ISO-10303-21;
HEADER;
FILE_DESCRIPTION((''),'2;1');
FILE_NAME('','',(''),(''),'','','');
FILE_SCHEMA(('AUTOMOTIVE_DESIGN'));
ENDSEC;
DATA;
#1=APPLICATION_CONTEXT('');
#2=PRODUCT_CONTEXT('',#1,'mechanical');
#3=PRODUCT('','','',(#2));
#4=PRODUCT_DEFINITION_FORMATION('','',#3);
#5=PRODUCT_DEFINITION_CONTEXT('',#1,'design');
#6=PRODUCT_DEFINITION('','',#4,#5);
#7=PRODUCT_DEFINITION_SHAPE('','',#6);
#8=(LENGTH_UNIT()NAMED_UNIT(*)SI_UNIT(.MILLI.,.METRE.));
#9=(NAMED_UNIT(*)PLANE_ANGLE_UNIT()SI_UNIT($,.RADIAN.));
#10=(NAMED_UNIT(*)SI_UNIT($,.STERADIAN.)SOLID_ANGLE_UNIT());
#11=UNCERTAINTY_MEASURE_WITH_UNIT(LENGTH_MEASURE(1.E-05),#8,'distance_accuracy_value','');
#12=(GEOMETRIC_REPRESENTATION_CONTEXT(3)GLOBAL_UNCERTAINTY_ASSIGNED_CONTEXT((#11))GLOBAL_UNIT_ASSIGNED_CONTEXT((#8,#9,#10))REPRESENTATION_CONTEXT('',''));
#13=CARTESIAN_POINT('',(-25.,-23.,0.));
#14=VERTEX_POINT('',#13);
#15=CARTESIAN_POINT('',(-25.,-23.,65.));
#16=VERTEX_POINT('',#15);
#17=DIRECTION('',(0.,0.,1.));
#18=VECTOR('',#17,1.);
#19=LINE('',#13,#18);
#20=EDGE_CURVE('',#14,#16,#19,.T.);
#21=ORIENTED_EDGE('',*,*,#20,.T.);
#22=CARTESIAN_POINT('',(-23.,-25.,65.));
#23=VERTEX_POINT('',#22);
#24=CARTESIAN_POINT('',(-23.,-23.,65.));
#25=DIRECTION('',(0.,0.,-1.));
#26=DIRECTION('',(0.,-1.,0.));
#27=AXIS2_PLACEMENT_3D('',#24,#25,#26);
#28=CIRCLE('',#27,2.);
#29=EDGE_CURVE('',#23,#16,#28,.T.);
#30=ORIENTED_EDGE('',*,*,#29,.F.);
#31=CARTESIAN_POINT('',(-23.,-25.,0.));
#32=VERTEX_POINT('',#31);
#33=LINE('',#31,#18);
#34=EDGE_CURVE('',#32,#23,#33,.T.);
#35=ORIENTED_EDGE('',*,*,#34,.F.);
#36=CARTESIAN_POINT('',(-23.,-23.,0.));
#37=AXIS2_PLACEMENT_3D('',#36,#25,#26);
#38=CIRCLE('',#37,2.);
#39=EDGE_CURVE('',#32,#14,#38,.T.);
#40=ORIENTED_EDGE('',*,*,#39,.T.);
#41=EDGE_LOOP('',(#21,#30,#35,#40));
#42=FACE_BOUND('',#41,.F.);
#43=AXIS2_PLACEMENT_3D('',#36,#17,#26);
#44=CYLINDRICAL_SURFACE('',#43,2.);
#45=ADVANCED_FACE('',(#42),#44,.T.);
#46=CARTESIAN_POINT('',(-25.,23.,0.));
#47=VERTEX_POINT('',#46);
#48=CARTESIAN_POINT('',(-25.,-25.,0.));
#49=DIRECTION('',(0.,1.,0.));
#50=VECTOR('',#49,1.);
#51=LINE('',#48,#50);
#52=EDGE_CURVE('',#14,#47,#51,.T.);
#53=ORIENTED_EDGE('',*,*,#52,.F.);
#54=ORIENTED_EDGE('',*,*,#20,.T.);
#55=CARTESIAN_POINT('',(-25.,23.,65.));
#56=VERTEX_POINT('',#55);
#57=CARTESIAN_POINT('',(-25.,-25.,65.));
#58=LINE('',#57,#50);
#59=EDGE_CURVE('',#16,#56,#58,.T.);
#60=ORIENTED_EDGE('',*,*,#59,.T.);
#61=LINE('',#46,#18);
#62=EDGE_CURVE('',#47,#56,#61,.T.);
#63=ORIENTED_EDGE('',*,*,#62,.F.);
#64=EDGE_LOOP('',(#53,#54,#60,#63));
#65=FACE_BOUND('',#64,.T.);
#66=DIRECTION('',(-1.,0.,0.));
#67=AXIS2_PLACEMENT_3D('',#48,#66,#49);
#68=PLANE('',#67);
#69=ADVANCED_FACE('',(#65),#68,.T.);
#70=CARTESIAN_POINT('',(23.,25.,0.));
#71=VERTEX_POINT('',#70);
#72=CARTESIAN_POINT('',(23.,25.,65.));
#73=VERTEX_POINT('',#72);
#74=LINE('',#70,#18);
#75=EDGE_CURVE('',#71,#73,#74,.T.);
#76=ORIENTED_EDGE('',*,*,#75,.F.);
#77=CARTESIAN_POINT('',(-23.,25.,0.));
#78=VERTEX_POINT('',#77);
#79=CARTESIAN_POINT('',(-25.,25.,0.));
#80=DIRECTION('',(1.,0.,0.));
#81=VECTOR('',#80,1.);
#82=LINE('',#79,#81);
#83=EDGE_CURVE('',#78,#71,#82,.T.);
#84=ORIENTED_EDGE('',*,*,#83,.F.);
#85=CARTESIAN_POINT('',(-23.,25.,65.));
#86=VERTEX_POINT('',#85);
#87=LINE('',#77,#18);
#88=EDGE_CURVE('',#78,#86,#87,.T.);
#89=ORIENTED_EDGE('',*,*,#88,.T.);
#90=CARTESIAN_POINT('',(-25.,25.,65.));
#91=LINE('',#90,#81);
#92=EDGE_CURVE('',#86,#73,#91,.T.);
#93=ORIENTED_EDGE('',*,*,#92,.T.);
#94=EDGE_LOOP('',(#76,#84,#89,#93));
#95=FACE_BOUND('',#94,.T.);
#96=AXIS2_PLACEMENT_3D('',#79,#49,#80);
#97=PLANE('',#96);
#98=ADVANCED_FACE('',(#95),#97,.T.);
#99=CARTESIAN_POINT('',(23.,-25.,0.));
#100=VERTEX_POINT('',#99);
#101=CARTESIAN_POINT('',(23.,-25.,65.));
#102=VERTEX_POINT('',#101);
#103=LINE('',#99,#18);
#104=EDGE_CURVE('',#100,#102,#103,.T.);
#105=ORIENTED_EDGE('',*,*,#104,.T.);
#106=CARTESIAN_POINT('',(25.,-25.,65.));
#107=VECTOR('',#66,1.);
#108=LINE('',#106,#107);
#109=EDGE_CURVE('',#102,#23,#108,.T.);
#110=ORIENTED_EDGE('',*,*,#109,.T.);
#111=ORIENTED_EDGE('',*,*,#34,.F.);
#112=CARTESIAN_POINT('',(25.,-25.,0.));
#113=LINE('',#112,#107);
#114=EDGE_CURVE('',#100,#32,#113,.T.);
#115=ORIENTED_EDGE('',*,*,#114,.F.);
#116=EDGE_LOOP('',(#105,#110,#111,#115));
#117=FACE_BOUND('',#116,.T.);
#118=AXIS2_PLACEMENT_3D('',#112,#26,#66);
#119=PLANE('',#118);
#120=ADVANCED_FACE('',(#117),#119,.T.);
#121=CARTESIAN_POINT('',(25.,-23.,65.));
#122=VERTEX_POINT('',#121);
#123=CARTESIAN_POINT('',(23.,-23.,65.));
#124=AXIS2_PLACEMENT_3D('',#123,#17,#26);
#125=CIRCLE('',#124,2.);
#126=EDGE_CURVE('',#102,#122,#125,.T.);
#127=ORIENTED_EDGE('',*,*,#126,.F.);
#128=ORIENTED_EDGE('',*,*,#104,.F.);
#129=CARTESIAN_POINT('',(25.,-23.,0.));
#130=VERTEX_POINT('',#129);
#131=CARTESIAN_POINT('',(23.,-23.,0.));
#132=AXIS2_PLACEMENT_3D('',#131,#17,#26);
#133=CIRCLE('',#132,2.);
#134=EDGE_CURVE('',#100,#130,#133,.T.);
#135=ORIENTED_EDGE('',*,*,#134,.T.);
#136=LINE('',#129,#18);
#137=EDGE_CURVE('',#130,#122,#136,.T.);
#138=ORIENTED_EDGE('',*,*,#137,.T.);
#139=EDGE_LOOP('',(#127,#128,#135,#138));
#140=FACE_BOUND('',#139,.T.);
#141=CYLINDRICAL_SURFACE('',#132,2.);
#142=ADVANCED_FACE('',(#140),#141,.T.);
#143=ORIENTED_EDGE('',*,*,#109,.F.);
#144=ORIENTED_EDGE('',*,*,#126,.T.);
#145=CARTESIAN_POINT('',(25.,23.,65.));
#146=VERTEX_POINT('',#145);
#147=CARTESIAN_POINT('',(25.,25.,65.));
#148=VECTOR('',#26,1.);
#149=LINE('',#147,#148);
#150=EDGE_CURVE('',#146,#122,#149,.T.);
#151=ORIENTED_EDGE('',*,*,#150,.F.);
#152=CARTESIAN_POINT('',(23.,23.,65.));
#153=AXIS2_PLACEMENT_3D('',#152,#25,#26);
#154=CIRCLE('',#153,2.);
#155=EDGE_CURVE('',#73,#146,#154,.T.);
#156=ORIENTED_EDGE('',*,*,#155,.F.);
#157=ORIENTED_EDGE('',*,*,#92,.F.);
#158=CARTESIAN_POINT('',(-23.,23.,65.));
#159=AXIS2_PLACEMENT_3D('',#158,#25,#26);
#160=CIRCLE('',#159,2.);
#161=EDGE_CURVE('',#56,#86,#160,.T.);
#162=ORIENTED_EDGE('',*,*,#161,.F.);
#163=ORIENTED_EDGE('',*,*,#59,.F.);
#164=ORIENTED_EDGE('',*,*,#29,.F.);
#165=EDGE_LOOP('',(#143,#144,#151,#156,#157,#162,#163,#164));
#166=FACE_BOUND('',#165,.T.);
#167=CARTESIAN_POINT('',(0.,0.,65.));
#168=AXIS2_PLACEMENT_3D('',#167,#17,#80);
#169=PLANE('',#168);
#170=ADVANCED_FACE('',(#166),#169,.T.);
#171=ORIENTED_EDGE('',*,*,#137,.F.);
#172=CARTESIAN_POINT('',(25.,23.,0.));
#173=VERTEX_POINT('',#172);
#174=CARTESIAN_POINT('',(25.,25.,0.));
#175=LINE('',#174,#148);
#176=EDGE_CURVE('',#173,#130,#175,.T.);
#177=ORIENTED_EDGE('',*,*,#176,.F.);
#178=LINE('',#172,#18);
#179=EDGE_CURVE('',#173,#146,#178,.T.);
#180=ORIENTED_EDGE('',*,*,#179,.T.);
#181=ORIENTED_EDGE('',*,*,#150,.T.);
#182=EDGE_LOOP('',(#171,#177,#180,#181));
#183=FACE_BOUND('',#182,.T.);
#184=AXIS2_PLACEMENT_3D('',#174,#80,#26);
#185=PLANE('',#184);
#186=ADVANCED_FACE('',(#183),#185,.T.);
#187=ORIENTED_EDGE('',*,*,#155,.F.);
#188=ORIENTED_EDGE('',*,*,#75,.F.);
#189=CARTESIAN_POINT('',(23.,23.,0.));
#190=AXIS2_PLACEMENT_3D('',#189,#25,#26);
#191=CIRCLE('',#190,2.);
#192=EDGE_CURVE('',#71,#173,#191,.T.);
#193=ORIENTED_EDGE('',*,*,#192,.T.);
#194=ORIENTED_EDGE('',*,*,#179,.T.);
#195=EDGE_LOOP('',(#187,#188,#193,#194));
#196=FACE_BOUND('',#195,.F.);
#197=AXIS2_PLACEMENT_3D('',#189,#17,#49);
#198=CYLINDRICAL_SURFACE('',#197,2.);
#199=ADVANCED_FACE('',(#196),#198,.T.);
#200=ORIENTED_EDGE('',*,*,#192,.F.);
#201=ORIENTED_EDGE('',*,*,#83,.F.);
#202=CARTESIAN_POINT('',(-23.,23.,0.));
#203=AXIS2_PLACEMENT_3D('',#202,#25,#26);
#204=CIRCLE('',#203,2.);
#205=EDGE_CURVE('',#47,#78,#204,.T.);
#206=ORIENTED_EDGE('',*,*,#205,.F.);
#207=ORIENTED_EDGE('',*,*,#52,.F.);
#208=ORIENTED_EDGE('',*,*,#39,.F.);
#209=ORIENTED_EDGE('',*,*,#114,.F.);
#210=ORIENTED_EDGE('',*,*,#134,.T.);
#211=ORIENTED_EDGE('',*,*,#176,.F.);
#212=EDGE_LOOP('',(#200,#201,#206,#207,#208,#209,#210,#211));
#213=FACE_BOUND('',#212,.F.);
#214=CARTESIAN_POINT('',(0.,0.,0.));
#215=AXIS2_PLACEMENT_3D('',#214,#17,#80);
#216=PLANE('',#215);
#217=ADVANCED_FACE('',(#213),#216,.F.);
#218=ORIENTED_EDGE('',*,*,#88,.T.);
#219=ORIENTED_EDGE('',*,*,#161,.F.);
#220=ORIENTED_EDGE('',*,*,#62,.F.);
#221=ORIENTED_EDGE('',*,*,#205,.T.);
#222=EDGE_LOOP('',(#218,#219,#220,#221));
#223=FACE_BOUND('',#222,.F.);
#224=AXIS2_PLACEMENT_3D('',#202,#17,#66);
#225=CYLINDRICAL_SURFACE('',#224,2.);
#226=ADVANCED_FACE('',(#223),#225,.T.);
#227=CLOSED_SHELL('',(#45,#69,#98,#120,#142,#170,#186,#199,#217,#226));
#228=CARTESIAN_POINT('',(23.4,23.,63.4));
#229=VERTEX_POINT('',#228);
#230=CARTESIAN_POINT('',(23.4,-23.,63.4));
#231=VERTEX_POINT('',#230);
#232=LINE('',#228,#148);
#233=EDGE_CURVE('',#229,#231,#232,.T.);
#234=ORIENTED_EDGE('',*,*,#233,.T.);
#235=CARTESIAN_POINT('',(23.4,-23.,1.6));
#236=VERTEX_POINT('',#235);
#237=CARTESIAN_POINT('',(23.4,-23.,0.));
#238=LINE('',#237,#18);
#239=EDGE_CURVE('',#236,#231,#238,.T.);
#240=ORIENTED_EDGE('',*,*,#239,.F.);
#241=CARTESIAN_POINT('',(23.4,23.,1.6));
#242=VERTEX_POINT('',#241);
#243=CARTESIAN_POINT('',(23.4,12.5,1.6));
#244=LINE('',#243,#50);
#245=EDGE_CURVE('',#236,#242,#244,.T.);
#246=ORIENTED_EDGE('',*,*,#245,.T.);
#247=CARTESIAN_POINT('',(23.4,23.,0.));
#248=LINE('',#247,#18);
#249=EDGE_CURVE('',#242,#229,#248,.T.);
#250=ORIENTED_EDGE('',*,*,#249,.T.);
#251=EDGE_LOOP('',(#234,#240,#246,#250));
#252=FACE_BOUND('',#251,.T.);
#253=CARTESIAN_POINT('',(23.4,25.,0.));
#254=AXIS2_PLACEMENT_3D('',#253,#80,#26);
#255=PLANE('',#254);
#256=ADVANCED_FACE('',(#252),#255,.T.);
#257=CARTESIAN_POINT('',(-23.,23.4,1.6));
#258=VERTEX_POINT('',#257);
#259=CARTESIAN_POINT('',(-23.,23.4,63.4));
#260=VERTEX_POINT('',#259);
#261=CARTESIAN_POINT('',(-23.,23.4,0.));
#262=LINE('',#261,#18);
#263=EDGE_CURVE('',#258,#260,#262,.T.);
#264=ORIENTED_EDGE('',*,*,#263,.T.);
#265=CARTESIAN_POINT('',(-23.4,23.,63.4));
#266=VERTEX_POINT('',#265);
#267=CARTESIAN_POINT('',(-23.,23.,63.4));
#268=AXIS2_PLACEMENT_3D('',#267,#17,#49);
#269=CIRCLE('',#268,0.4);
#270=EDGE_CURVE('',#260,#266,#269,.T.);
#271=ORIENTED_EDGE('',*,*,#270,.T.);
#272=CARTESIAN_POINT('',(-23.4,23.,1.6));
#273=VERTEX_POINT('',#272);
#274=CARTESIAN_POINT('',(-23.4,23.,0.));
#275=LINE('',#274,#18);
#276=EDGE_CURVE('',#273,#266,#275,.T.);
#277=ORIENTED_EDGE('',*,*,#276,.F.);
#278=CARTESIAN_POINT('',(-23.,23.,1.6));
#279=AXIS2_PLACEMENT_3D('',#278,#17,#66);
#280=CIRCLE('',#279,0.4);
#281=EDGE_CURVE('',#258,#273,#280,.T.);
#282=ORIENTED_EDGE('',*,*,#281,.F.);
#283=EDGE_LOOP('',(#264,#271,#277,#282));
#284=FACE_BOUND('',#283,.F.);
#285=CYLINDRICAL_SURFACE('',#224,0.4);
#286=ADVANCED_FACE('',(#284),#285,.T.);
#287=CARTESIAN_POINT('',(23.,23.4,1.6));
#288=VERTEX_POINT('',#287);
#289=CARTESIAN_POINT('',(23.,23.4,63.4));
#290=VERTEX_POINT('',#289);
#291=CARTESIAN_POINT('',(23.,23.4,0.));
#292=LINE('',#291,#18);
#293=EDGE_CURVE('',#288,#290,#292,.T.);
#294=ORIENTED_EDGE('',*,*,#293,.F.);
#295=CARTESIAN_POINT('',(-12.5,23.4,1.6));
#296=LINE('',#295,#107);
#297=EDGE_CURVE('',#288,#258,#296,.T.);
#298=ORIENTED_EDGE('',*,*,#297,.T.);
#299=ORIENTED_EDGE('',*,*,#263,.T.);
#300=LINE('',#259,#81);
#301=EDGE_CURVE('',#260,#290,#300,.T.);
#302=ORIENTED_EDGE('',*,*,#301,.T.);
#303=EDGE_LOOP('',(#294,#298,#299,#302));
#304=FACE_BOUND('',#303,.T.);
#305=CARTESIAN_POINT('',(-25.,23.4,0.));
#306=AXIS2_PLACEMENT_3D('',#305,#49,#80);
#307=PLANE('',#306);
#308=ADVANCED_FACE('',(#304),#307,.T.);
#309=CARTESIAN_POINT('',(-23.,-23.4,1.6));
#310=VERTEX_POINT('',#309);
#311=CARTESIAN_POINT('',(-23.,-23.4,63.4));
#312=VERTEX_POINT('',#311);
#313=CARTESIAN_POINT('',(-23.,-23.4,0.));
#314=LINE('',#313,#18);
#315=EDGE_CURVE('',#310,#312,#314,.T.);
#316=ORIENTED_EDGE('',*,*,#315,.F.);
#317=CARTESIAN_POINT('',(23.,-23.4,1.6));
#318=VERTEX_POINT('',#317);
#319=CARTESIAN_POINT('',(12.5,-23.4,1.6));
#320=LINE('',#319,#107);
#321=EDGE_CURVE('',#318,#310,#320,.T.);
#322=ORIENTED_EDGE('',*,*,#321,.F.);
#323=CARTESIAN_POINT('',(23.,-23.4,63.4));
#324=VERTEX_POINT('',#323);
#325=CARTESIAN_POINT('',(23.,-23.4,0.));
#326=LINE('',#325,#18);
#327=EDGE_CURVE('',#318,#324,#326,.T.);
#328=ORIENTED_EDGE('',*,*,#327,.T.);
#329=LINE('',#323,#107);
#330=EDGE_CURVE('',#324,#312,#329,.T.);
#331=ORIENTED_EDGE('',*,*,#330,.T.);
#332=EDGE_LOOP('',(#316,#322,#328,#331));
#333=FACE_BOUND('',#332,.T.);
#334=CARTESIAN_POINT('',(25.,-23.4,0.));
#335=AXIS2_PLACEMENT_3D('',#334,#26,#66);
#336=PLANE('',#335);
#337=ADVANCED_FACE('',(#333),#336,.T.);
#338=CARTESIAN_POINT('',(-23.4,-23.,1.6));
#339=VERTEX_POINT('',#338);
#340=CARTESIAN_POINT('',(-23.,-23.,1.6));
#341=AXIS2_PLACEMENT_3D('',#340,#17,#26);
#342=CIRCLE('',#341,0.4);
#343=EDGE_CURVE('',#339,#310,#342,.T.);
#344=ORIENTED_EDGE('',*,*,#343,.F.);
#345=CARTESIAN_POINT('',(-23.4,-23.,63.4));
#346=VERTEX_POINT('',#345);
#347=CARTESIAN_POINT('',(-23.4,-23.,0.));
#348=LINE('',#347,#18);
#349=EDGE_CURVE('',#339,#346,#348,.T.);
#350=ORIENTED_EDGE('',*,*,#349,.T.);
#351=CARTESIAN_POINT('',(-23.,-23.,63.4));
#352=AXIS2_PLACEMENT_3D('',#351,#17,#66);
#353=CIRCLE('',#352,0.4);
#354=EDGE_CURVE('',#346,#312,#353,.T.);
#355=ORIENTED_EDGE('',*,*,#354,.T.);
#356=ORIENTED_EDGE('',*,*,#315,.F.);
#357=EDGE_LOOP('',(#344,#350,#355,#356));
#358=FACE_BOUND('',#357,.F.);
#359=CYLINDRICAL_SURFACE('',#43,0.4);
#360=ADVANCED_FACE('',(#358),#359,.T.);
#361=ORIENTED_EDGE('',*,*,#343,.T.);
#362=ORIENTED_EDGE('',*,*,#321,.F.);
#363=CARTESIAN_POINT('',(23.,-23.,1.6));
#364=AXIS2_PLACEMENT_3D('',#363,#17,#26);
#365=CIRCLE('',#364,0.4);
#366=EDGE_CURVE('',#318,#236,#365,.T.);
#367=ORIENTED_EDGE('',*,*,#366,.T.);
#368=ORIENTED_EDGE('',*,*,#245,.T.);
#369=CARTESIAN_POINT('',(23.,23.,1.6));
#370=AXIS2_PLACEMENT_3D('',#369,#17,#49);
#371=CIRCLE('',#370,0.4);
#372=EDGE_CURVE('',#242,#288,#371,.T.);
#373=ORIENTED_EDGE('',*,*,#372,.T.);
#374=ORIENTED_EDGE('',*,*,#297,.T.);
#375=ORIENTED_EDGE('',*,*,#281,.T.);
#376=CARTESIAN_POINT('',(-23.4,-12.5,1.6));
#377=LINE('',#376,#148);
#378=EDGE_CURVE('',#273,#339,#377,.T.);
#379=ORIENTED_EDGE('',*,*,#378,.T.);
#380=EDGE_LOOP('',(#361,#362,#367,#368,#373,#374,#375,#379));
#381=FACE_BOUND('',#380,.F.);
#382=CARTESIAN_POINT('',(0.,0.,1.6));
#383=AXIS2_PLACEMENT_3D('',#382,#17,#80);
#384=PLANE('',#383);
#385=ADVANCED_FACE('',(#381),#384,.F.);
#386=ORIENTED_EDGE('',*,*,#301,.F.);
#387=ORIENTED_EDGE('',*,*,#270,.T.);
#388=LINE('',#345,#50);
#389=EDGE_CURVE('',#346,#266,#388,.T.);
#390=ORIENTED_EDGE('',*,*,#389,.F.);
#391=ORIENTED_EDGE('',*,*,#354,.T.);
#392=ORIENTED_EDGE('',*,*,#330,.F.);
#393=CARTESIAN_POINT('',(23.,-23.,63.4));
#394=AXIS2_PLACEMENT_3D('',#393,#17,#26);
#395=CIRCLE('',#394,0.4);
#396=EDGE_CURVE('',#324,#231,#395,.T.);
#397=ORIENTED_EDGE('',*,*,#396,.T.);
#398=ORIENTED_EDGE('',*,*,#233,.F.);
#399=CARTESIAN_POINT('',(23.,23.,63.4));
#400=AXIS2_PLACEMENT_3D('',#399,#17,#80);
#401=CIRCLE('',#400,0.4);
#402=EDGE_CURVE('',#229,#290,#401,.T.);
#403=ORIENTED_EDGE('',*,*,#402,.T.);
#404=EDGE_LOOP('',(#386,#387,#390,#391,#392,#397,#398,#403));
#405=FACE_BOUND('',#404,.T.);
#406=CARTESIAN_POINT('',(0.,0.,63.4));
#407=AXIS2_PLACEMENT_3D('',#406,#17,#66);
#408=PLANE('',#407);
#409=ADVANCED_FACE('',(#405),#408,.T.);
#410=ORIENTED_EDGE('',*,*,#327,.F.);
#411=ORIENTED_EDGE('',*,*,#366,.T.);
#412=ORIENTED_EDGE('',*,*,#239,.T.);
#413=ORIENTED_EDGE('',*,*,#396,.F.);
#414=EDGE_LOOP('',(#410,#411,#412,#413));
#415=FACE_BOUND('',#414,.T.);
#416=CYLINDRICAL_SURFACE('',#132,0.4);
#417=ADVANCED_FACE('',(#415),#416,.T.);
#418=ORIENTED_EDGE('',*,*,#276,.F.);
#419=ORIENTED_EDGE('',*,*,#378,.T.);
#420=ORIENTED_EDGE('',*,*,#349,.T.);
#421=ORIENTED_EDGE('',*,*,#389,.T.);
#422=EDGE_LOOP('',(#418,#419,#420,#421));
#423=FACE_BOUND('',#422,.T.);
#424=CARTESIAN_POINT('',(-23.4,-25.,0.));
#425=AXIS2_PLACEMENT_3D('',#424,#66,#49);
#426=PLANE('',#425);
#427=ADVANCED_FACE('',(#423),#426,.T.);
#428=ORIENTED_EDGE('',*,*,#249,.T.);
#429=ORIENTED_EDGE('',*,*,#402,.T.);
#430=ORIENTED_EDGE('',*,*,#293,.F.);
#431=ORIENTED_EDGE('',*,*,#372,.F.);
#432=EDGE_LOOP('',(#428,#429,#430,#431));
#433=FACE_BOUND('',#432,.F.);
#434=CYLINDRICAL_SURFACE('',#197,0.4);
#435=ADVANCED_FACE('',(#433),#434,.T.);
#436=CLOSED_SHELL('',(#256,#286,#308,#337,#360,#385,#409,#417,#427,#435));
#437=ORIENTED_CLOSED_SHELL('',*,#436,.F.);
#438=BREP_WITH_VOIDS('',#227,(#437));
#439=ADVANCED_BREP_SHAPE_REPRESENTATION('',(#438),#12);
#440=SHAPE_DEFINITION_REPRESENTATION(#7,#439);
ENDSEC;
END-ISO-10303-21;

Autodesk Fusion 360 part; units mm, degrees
sketch "Sketch1" plane through (0, 0, 0) normal (0, 0, 1) x (1, 0, 0)
  line L0 (25, -25) -> (-25, -25)
  line L1 (-25, -25) -> (-25, 25)
  line L2 (-25, 25) -> (25, 25)
  line L3 (25, 25) -> (25, -25)
  line L4 (25, -25) -> (-25, 25) construction
  line L5 (-25, -25) -> (25, 25) construction
  dimension "d1" = 50
  dimension "d2" = 50
extrude "Extrude1" add sketch "Sketch1" along normal blind 65
fillet "Fillet1" radius 2 4 edges at (-25, -25, 32.5) (25, -25, 32.5) (-25, 25, 32.5) (25, 25, 32.5)
shell "Shell1" thickness 1.6 removed faces 1 at (7.6667, -8.3333, 65)
sketch "Sketch2" plane through (0, 0, 65) normal (0, 0, 1) x (-1, 0, 0)
  arc A0 (-23, 23.4) -> (-23.4, 23) centre (-23, 23) ccw
  line L0 (-23, 23.4) -> (23, 23.4)
  arc A1 (23.4, 23) -> (23, 23.4) centre (23, 23) ccw
  line L1 (23.4, 23) -> (23.4, -23)
  arc A2 (23, -23.4) -> (23.4, -23) centre (23, -23) ccw
  line L2 (23, -23.4) -> (-23, -23.4)
  arc A3 (-23.4, -23) -> (-23, -23.4) centre (-23, -23) ccw
  line L3 (-23.4, -23) -> (-23.4, 23)
  arc A4 (-25, -23) -> (-23, -25) centre (-23, -23) ccw
  line L4 (-23, -25) -> (23, -25)
  arc A5 (23, -25) -> (25, -23) centre (23, -23) ccw
  line L5 (25, -23) -> (25, 23)
  arc A6 (25, 23) -> (23, 25) centre (23, 23) ccw
  line L6 (23, 25) -> (-23, 25)
  arc A7 (-23, 25) -> (-25, 23) centre (-23, 23) ccw
  line L7 (-25, 23) -> (-25, -23)
extrude "Extrude2" add sketch "Sketch2" against normal blind 1.6 contours A0 L0 A1 L1 A2 L2 A3 L3
